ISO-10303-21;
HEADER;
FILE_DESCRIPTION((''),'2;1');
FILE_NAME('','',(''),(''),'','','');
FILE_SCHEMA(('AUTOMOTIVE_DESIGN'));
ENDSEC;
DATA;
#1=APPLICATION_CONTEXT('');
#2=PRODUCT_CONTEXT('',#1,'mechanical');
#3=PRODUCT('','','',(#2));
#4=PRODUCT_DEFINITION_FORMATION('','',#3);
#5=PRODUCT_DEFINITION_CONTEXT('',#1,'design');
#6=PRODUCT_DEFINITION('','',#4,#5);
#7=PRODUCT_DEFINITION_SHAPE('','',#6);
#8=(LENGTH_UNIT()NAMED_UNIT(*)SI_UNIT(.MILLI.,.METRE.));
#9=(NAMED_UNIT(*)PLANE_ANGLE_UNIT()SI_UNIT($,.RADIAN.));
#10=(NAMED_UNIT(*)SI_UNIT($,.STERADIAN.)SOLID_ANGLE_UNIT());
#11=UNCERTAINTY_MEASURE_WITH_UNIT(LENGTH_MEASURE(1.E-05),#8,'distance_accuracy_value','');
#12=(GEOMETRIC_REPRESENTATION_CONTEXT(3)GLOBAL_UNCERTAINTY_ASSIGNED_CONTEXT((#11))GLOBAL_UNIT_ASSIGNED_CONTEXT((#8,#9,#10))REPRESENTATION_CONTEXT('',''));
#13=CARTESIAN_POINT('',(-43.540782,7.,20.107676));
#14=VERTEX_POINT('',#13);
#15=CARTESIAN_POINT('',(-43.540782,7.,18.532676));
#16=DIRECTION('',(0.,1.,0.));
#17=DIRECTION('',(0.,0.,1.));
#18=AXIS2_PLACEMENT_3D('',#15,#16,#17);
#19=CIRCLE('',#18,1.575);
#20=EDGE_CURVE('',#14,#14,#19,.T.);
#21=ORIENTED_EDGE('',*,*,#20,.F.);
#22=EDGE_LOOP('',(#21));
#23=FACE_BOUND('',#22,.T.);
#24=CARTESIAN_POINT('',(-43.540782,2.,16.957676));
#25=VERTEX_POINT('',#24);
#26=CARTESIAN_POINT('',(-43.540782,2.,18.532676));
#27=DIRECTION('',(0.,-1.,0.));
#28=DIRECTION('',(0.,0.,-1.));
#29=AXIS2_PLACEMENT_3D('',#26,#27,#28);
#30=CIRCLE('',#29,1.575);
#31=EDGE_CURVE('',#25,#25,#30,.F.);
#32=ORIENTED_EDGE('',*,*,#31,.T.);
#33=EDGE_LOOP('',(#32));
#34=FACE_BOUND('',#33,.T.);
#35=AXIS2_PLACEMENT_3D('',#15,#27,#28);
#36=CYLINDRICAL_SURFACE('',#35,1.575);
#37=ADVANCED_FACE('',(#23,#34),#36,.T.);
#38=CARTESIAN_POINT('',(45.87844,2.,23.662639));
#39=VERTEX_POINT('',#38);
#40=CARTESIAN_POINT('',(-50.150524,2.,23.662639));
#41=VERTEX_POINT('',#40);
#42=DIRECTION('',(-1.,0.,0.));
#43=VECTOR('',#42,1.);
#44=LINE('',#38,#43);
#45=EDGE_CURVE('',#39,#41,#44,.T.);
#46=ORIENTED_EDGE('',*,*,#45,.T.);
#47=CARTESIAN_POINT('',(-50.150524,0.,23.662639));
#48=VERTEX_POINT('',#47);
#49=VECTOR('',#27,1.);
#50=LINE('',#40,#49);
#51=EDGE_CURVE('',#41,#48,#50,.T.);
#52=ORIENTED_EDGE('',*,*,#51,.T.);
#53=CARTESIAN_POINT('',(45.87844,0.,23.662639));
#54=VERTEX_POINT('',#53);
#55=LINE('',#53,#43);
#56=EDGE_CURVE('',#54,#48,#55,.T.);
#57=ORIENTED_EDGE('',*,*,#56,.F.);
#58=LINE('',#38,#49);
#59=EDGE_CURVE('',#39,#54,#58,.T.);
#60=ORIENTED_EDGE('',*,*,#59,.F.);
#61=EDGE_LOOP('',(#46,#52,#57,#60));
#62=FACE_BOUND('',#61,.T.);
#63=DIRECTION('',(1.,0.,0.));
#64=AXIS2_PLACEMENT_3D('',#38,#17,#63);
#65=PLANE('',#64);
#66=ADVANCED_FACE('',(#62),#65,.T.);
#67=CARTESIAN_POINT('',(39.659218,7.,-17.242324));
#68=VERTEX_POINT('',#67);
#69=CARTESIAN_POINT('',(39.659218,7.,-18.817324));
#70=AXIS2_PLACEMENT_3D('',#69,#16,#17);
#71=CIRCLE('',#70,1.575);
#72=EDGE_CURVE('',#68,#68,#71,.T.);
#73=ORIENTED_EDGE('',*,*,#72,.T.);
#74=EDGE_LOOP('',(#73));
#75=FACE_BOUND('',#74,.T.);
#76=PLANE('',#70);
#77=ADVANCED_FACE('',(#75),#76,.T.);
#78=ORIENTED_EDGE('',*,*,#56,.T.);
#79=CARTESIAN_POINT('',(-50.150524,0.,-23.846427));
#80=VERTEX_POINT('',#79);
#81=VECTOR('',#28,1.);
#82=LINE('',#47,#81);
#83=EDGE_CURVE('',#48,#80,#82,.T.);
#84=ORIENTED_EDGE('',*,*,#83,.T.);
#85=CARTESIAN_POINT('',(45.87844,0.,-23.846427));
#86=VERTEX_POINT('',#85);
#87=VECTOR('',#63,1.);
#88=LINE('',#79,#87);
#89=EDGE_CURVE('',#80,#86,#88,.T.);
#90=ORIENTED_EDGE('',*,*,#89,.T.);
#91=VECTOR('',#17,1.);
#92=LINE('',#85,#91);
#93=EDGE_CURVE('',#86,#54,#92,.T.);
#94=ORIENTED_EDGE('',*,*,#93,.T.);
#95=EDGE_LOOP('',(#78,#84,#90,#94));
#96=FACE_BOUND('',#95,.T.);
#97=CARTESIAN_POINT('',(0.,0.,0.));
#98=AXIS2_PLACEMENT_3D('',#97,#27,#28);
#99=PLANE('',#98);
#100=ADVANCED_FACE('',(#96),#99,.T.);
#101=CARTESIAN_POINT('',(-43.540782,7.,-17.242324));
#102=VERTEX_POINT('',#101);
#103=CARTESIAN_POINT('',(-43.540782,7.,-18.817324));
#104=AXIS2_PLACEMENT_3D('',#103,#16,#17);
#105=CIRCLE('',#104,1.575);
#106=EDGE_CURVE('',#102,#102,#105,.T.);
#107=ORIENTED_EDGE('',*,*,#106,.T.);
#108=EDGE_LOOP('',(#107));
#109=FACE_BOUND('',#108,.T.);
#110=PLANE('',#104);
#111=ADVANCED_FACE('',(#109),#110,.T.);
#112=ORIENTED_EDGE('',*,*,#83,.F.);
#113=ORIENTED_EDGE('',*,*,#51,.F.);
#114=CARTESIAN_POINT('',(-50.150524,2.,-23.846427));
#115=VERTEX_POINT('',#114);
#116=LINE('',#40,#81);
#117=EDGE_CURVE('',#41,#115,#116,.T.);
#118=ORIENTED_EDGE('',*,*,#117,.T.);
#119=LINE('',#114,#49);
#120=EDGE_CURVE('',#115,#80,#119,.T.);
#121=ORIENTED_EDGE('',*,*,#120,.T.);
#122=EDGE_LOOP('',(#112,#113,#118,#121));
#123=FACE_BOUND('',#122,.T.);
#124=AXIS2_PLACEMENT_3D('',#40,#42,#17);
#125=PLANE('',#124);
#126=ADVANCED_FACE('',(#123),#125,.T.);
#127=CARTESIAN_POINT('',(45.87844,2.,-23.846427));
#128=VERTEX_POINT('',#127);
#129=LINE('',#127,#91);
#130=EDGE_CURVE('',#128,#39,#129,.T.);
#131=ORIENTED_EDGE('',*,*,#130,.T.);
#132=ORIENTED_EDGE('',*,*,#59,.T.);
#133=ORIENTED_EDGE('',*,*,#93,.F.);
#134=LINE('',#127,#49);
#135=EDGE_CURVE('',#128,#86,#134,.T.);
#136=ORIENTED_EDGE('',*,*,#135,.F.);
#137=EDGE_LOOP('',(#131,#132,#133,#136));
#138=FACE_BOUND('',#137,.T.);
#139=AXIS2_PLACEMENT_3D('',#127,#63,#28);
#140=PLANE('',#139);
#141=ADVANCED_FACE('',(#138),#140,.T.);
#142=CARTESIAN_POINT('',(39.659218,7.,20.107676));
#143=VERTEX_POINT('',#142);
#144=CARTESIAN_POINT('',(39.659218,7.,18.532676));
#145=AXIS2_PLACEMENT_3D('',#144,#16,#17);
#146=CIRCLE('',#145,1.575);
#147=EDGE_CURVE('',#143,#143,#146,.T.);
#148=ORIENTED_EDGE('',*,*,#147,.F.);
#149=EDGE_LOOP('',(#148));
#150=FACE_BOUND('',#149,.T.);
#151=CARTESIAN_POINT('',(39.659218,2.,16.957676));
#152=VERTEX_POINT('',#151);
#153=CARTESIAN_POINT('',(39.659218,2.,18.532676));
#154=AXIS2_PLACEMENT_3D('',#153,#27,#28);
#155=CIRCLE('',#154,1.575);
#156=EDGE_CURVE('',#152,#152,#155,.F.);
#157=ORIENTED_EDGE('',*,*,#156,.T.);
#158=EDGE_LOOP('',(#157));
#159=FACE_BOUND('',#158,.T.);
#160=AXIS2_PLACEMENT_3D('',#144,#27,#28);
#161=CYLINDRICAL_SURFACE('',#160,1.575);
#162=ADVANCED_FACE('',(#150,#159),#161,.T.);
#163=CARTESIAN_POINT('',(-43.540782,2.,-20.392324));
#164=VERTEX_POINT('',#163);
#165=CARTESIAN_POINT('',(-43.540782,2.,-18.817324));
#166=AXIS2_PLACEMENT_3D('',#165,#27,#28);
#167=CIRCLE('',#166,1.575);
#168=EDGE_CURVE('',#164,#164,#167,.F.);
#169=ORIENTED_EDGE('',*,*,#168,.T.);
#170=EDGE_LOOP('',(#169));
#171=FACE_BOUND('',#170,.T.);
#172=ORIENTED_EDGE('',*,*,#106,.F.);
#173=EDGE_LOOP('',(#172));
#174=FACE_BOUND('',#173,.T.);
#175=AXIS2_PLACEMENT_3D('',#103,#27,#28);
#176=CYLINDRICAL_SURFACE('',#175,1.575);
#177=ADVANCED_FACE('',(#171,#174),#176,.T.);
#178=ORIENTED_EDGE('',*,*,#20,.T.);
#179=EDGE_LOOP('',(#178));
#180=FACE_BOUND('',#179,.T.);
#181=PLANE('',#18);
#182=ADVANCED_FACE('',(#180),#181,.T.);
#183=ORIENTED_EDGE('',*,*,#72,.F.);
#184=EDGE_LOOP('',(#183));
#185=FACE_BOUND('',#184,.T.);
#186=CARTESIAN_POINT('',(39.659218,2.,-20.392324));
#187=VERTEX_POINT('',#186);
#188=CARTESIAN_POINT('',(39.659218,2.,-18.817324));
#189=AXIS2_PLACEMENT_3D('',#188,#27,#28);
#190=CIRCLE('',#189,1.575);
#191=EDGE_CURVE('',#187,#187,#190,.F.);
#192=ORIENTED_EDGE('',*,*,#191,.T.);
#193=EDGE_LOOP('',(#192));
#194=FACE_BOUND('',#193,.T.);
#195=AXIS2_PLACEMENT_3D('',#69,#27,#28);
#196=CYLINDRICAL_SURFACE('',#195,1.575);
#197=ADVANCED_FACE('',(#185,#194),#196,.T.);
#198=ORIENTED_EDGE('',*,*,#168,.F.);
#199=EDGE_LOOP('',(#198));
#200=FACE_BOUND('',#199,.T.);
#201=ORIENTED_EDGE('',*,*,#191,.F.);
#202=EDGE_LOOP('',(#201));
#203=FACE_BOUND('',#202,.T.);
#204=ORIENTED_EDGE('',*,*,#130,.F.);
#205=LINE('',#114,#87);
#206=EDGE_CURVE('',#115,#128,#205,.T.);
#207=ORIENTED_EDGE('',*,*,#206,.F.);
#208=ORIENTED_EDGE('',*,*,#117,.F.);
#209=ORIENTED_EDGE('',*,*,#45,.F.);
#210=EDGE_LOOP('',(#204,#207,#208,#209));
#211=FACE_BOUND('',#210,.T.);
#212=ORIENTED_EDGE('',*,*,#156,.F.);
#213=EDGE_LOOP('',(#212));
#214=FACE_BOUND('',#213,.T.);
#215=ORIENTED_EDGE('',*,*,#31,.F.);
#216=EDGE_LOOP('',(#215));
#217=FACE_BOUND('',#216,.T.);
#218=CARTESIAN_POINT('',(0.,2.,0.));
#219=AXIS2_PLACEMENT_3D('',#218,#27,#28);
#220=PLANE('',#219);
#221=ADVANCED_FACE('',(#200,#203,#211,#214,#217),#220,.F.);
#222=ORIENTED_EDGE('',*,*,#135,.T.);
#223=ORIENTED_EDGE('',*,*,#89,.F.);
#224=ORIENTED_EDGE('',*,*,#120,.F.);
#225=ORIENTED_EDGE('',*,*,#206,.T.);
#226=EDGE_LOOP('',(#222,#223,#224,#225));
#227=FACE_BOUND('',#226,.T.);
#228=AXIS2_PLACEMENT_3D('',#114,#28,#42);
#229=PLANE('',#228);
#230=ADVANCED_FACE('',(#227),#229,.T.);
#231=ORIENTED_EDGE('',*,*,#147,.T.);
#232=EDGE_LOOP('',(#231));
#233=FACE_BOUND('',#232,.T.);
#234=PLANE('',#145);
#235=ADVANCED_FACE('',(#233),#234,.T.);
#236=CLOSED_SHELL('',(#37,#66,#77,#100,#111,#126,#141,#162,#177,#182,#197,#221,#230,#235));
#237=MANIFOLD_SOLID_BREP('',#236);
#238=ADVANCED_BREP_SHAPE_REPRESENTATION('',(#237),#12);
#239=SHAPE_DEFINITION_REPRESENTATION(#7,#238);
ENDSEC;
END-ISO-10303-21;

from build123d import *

# Parameters (mm, degrees)
SKETCH1_W           = 96.028964001
SKETCH1_H           = 47.509066401
BOSS_EXTRUDE1_DEPTH = 2
SKETCH2_R           = 1.575
BOSS_EXTRUDE2_DEPTH = 5


with BuildPart() as part:
    # Sketch1 → Boss-Extrude1 (new body)
    with BuildSketch(Plane(origin=(0, 0, 0), x_dir=(1, 0, 0), z_dir=(0, 1, 0))):
        with Locations((-2.136041934, 0.091893746)):
            Rectangle(SKETCH1_W, SKETCH1_H)
    extrude(amount=BOSS_EXTRUDE1_DEPTH)

    # Sketch2 → Boss-Extrude2 (add)
    with BuildSketch(Plane(origin=(0, 2, 0), x_dir=(1, 0, 0), z_dir=(0, 1, 0))):
        with Locations(Location((-43.540781796, -18.532676358, 0), (0, 0, 90))):
            Circle(SKETCH2_R)
        with Locations(Location((-43.540781796, 18.817323642, 0), (0, 0, 90))):
            Circle(SKETCH2_R)
        with Locations(Location((39.659218204, -18.532676358, 0), (0, 0, 90))):
            Circle(SKETCH2_R)
        with Locations(Location((39.659218204, 18.817323642, 0), (0, 0, 90))):
            Circle(SKETCH2_R)
    extrude(amount=BOSS_EXTRUDE2_DEPTH)


solid = part.part
